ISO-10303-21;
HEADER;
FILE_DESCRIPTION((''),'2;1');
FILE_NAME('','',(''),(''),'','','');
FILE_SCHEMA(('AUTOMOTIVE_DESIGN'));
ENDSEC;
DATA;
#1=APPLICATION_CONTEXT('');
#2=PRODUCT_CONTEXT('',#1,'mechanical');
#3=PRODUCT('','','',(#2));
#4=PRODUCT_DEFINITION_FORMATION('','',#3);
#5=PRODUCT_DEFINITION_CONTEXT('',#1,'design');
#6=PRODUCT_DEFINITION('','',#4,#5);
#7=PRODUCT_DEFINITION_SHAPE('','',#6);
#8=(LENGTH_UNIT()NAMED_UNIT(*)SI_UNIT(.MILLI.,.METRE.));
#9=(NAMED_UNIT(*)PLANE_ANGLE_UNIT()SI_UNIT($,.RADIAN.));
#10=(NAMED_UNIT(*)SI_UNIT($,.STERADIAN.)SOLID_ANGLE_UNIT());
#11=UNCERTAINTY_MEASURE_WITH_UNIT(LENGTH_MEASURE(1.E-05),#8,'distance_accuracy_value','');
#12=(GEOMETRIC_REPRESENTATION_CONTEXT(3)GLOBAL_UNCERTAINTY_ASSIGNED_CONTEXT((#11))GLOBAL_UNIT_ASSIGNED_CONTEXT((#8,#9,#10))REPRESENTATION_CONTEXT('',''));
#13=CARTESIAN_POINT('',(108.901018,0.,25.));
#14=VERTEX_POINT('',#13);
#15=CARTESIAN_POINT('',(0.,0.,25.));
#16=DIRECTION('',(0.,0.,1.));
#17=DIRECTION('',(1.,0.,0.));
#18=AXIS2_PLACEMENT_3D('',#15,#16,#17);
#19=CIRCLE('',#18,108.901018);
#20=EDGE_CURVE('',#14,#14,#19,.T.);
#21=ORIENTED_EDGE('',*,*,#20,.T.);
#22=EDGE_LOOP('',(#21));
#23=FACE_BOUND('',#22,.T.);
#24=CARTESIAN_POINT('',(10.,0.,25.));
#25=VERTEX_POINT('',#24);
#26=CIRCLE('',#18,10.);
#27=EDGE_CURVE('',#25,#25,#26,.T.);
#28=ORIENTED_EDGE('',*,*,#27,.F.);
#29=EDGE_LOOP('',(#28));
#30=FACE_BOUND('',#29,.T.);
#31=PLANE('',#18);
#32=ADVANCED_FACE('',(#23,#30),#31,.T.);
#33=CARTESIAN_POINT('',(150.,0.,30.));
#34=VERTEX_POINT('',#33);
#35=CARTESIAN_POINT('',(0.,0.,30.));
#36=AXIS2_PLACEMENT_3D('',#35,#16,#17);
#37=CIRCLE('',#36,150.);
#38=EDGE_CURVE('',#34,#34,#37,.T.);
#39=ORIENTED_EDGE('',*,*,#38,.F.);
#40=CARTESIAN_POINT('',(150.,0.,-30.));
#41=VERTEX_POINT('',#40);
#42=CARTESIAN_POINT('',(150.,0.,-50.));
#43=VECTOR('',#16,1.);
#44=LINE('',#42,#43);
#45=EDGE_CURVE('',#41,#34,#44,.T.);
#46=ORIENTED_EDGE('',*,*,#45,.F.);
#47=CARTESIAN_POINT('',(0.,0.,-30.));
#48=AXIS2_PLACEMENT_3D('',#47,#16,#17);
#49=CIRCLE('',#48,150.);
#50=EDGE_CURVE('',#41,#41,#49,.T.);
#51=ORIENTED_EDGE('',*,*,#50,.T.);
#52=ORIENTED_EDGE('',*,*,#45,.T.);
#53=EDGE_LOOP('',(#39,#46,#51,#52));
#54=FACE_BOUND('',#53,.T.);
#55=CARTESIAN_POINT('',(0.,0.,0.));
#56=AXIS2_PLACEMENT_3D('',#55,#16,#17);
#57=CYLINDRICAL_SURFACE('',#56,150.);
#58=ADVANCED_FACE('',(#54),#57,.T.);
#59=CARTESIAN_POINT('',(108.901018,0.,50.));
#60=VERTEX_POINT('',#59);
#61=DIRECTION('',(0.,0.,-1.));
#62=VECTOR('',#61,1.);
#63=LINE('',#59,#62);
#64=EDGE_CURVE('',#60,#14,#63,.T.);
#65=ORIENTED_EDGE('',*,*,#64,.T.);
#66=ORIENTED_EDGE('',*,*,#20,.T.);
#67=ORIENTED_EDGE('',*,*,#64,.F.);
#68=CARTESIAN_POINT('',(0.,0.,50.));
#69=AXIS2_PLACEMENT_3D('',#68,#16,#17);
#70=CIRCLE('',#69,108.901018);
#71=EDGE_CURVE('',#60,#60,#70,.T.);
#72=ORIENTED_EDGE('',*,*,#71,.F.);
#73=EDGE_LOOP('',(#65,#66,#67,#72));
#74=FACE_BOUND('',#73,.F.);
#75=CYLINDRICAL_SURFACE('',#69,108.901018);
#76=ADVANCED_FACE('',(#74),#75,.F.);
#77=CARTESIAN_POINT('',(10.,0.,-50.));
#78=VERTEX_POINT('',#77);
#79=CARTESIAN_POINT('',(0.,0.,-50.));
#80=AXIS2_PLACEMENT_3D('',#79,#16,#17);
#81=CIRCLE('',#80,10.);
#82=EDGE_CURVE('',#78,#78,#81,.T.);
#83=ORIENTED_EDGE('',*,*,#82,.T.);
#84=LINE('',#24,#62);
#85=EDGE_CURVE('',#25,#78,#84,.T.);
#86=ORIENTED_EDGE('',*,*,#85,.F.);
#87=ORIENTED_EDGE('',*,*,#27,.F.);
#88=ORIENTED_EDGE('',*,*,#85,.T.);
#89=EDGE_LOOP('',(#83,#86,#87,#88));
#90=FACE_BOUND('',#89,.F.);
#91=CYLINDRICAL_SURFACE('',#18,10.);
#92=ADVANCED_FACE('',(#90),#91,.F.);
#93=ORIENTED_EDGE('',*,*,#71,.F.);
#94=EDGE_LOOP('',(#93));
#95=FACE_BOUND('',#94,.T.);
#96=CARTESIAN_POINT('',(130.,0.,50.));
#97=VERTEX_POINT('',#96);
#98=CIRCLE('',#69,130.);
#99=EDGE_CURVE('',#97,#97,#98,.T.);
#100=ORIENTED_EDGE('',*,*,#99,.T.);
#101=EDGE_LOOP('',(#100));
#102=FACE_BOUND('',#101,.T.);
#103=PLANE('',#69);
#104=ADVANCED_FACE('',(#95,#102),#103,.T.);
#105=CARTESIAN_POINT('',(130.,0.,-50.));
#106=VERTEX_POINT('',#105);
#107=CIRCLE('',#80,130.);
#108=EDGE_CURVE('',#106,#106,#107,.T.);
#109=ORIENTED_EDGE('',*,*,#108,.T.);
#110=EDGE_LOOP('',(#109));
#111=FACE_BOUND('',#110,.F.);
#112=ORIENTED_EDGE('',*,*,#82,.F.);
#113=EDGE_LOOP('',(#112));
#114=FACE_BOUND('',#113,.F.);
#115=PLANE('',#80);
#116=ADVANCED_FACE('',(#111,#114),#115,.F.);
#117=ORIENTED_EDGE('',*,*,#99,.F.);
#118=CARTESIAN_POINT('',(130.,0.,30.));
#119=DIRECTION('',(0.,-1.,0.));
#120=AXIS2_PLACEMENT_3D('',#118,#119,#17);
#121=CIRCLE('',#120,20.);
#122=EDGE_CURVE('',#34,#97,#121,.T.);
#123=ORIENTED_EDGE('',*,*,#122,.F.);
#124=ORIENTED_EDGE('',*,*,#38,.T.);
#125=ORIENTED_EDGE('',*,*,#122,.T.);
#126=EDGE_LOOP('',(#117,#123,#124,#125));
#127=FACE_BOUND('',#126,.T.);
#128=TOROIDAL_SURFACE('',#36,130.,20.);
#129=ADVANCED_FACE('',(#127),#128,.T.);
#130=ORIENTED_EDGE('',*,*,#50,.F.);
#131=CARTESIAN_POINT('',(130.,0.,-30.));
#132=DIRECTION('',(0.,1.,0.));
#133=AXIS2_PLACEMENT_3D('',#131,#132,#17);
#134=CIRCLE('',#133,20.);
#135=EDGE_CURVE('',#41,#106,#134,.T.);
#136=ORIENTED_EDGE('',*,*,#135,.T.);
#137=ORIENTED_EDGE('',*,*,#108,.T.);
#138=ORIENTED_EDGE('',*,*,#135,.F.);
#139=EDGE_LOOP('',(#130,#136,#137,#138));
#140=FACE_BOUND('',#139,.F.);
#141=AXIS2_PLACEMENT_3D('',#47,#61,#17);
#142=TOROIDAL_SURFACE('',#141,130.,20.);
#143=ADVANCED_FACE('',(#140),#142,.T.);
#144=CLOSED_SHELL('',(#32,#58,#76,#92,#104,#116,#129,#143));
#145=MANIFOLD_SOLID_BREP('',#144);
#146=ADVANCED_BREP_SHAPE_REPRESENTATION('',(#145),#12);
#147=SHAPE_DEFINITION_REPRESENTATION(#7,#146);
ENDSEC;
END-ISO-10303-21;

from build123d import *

# Parameters (mm, degrees)
F0_R     = 150
F1_DEPTH = 50
F2_R     = 20
F3_R     = 108.901018
F4_DEPTH = 25
F5_R     = 10
F6_DEPTH = 150


with BuildPart() as f1:
    # F0 (on Top) → F1 (new body, symmetric)
    with BuildSketch(Plane.XY):
        Circle(F0_R)
    extrude(amount=F1_DEPTH, both=True)

    # F2
    f2_edges = [f1.edges().sort_by_distance(p)[0] for p in [
        (-150, 0, 50),
        (-150, 0, -50),
    ]]
    fillet(f2_edges, radius=F2_R)

    # F3 (on face) → F4 (cut)
    with BuildSketch(Plane.XY.offset(50)):
        Circle(F3_R)
    extrude(amount=-F4_DEPTH, mode=Mode.SUBTRACT)

    # F5 (on face) → F6 (cut)
    with BuildSketch(Plane.XY.offset(25)):
        Circle(F5_R)
    extrude(amount=-F6_DEPTH, mode=Mode.SUBTRACT)


solid = f1.part
